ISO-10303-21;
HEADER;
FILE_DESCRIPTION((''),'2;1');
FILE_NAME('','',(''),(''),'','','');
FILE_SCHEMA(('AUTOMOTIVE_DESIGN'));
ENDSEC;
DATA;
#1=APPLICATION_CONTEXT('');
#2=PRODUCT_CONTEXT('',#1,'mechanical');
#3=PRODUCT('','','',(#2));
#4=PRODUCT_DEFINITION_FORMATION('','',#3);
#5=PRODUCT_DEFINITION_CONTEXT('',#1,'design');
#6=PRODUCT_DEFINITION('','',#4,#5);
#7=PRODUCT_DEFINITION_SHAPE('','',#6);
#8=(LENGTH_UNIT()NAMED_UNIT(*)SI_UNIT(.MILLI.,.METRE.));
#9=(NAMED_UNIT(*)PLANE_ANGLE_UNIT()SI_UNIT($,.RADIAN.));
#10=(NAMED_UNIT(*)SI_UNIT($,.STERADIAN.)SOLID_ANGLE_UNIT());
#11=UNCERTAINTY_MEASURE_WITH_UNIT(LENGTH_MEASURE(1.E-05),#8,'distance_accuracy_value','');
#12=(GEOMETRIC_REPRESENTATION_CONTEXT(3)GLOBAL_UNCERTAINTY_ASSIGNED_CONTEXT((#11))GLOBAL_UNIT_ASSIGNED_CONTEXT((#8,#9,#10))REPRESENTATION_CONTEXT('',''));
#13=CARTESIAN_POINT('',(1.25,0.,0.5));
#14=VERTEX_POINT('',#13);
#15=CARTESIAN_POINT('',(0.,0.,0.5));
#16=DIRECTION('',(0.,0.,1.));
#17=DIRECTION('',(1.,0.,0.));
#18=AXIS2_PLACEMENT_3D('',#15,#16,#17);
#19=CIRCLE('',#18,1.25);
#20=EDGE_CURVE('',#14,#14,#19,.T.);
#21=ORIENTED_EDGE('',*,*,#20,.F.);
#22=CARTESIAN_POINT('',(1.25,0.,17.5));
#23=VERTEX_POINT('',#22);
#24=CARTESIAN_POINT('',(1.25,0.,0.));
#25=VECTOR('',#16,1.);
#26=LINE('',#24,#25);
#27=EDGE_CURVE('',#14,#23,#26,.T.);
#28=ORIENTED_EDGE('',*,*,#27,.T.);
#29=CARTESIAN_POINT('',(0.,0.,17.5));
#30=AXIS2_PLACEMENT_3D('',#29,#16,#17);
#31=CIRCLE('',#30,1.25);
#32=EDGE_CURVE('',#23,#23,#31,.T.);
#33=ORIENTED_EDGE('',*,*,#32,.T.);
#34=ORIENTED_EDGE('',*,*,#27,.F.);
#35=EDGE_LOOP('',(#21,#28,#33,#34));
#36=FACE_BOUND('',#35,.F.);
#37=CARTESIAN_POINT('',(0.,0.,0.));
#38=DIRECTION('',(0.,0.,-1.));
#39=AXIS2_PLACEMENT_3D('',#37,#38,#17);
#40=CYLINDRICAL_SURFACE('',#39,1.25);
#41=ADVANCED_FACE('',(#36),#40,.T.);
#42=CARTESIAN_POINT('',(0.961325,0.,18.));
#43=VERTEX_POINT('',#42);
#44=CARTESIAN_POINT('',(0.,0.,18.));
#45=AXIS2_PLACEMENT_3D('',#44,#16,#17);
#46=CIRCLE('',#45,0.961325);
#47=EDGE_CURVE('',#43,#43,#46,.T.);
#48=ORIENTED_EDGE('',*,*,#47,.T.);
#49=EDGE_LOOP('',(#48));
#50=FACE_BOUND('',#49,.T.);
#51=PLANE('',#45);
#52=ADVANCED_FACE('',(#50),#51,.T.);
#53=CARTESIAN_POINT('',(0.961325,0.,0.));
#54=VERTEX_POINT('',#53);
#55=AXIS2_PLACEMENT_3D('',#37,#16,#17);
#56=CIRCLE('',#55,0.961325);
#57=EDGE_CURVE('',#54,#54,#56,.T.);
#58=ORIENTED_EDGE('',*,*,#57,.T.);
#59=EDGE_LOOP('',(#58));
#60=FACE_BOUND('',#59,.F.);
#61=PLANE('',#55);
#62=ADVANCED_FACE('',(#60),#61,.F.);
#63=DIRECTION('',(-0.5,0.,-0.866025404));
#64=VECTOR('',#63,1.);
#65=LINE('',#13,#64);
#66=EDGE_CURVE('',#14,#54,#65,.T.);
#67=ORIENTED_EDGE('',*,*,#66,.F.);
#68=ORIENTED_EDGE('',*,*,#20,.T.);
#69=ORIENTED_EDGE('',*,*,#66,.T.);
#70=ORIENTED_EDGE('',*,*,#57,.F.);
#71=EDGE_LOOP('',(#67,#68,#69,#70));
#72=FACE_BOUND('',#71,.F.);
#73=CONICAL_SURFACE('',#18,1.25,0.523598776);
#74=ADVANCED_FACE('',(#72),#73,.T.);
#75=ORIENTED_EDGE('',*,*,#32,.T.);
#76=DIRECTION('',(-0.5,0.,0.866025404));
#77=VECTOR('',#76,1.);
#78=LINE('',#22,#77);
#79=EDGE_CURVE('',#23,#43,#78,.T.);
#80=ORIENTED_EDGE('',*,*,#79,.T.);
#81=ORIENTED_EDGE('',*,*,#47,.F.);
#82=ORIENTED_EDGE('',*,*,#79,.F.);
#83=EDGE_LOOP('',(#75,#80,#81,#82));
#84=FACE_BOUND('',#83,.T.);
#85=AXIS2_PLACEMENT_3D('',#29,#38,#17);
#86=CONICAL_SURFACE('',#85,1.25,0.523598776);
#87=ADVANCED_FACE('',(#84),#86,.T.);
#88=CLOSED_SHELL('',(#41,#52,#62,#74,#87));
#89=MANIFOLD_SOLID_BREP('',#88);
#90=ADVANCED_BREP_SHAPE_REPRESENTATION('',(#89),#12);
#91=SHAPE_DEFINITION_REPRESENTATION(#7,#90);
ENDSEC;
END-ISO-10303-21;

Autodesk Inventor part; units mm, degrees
ref_plane "YZ Plane" through (0, 0, 0) normal (1, 0, 0) x (0, 1, 0)
ref_plane "XZ Plane" through (0, 0, 0) normal (0, 1, 0) x (-1, 0, 0)
ref_plane "XY Plane" through (0, 0, 0) normal (0, 0, 1) x (1, 0, 0)
sketch "スケッチ1" plane through (0, 0, 0) normal (0, 0, 1) x (1, 0, 0)
  circle A0 centre (0, 0) radius 1.25
  dimension "d0" = 2.5
extrude "押し出し1" add sketch "スケッチ1" along normal blind 18
chamfer "面取り1" distance 0.5 angle 30 2 edges at (-1.25, 0, 18) (-1.25, 0, 0) measured on face at (1.2459, -0.1006, 12)
properties part number "平行ピンΦ2.5,18" material "鋼、高強度、低合金"
